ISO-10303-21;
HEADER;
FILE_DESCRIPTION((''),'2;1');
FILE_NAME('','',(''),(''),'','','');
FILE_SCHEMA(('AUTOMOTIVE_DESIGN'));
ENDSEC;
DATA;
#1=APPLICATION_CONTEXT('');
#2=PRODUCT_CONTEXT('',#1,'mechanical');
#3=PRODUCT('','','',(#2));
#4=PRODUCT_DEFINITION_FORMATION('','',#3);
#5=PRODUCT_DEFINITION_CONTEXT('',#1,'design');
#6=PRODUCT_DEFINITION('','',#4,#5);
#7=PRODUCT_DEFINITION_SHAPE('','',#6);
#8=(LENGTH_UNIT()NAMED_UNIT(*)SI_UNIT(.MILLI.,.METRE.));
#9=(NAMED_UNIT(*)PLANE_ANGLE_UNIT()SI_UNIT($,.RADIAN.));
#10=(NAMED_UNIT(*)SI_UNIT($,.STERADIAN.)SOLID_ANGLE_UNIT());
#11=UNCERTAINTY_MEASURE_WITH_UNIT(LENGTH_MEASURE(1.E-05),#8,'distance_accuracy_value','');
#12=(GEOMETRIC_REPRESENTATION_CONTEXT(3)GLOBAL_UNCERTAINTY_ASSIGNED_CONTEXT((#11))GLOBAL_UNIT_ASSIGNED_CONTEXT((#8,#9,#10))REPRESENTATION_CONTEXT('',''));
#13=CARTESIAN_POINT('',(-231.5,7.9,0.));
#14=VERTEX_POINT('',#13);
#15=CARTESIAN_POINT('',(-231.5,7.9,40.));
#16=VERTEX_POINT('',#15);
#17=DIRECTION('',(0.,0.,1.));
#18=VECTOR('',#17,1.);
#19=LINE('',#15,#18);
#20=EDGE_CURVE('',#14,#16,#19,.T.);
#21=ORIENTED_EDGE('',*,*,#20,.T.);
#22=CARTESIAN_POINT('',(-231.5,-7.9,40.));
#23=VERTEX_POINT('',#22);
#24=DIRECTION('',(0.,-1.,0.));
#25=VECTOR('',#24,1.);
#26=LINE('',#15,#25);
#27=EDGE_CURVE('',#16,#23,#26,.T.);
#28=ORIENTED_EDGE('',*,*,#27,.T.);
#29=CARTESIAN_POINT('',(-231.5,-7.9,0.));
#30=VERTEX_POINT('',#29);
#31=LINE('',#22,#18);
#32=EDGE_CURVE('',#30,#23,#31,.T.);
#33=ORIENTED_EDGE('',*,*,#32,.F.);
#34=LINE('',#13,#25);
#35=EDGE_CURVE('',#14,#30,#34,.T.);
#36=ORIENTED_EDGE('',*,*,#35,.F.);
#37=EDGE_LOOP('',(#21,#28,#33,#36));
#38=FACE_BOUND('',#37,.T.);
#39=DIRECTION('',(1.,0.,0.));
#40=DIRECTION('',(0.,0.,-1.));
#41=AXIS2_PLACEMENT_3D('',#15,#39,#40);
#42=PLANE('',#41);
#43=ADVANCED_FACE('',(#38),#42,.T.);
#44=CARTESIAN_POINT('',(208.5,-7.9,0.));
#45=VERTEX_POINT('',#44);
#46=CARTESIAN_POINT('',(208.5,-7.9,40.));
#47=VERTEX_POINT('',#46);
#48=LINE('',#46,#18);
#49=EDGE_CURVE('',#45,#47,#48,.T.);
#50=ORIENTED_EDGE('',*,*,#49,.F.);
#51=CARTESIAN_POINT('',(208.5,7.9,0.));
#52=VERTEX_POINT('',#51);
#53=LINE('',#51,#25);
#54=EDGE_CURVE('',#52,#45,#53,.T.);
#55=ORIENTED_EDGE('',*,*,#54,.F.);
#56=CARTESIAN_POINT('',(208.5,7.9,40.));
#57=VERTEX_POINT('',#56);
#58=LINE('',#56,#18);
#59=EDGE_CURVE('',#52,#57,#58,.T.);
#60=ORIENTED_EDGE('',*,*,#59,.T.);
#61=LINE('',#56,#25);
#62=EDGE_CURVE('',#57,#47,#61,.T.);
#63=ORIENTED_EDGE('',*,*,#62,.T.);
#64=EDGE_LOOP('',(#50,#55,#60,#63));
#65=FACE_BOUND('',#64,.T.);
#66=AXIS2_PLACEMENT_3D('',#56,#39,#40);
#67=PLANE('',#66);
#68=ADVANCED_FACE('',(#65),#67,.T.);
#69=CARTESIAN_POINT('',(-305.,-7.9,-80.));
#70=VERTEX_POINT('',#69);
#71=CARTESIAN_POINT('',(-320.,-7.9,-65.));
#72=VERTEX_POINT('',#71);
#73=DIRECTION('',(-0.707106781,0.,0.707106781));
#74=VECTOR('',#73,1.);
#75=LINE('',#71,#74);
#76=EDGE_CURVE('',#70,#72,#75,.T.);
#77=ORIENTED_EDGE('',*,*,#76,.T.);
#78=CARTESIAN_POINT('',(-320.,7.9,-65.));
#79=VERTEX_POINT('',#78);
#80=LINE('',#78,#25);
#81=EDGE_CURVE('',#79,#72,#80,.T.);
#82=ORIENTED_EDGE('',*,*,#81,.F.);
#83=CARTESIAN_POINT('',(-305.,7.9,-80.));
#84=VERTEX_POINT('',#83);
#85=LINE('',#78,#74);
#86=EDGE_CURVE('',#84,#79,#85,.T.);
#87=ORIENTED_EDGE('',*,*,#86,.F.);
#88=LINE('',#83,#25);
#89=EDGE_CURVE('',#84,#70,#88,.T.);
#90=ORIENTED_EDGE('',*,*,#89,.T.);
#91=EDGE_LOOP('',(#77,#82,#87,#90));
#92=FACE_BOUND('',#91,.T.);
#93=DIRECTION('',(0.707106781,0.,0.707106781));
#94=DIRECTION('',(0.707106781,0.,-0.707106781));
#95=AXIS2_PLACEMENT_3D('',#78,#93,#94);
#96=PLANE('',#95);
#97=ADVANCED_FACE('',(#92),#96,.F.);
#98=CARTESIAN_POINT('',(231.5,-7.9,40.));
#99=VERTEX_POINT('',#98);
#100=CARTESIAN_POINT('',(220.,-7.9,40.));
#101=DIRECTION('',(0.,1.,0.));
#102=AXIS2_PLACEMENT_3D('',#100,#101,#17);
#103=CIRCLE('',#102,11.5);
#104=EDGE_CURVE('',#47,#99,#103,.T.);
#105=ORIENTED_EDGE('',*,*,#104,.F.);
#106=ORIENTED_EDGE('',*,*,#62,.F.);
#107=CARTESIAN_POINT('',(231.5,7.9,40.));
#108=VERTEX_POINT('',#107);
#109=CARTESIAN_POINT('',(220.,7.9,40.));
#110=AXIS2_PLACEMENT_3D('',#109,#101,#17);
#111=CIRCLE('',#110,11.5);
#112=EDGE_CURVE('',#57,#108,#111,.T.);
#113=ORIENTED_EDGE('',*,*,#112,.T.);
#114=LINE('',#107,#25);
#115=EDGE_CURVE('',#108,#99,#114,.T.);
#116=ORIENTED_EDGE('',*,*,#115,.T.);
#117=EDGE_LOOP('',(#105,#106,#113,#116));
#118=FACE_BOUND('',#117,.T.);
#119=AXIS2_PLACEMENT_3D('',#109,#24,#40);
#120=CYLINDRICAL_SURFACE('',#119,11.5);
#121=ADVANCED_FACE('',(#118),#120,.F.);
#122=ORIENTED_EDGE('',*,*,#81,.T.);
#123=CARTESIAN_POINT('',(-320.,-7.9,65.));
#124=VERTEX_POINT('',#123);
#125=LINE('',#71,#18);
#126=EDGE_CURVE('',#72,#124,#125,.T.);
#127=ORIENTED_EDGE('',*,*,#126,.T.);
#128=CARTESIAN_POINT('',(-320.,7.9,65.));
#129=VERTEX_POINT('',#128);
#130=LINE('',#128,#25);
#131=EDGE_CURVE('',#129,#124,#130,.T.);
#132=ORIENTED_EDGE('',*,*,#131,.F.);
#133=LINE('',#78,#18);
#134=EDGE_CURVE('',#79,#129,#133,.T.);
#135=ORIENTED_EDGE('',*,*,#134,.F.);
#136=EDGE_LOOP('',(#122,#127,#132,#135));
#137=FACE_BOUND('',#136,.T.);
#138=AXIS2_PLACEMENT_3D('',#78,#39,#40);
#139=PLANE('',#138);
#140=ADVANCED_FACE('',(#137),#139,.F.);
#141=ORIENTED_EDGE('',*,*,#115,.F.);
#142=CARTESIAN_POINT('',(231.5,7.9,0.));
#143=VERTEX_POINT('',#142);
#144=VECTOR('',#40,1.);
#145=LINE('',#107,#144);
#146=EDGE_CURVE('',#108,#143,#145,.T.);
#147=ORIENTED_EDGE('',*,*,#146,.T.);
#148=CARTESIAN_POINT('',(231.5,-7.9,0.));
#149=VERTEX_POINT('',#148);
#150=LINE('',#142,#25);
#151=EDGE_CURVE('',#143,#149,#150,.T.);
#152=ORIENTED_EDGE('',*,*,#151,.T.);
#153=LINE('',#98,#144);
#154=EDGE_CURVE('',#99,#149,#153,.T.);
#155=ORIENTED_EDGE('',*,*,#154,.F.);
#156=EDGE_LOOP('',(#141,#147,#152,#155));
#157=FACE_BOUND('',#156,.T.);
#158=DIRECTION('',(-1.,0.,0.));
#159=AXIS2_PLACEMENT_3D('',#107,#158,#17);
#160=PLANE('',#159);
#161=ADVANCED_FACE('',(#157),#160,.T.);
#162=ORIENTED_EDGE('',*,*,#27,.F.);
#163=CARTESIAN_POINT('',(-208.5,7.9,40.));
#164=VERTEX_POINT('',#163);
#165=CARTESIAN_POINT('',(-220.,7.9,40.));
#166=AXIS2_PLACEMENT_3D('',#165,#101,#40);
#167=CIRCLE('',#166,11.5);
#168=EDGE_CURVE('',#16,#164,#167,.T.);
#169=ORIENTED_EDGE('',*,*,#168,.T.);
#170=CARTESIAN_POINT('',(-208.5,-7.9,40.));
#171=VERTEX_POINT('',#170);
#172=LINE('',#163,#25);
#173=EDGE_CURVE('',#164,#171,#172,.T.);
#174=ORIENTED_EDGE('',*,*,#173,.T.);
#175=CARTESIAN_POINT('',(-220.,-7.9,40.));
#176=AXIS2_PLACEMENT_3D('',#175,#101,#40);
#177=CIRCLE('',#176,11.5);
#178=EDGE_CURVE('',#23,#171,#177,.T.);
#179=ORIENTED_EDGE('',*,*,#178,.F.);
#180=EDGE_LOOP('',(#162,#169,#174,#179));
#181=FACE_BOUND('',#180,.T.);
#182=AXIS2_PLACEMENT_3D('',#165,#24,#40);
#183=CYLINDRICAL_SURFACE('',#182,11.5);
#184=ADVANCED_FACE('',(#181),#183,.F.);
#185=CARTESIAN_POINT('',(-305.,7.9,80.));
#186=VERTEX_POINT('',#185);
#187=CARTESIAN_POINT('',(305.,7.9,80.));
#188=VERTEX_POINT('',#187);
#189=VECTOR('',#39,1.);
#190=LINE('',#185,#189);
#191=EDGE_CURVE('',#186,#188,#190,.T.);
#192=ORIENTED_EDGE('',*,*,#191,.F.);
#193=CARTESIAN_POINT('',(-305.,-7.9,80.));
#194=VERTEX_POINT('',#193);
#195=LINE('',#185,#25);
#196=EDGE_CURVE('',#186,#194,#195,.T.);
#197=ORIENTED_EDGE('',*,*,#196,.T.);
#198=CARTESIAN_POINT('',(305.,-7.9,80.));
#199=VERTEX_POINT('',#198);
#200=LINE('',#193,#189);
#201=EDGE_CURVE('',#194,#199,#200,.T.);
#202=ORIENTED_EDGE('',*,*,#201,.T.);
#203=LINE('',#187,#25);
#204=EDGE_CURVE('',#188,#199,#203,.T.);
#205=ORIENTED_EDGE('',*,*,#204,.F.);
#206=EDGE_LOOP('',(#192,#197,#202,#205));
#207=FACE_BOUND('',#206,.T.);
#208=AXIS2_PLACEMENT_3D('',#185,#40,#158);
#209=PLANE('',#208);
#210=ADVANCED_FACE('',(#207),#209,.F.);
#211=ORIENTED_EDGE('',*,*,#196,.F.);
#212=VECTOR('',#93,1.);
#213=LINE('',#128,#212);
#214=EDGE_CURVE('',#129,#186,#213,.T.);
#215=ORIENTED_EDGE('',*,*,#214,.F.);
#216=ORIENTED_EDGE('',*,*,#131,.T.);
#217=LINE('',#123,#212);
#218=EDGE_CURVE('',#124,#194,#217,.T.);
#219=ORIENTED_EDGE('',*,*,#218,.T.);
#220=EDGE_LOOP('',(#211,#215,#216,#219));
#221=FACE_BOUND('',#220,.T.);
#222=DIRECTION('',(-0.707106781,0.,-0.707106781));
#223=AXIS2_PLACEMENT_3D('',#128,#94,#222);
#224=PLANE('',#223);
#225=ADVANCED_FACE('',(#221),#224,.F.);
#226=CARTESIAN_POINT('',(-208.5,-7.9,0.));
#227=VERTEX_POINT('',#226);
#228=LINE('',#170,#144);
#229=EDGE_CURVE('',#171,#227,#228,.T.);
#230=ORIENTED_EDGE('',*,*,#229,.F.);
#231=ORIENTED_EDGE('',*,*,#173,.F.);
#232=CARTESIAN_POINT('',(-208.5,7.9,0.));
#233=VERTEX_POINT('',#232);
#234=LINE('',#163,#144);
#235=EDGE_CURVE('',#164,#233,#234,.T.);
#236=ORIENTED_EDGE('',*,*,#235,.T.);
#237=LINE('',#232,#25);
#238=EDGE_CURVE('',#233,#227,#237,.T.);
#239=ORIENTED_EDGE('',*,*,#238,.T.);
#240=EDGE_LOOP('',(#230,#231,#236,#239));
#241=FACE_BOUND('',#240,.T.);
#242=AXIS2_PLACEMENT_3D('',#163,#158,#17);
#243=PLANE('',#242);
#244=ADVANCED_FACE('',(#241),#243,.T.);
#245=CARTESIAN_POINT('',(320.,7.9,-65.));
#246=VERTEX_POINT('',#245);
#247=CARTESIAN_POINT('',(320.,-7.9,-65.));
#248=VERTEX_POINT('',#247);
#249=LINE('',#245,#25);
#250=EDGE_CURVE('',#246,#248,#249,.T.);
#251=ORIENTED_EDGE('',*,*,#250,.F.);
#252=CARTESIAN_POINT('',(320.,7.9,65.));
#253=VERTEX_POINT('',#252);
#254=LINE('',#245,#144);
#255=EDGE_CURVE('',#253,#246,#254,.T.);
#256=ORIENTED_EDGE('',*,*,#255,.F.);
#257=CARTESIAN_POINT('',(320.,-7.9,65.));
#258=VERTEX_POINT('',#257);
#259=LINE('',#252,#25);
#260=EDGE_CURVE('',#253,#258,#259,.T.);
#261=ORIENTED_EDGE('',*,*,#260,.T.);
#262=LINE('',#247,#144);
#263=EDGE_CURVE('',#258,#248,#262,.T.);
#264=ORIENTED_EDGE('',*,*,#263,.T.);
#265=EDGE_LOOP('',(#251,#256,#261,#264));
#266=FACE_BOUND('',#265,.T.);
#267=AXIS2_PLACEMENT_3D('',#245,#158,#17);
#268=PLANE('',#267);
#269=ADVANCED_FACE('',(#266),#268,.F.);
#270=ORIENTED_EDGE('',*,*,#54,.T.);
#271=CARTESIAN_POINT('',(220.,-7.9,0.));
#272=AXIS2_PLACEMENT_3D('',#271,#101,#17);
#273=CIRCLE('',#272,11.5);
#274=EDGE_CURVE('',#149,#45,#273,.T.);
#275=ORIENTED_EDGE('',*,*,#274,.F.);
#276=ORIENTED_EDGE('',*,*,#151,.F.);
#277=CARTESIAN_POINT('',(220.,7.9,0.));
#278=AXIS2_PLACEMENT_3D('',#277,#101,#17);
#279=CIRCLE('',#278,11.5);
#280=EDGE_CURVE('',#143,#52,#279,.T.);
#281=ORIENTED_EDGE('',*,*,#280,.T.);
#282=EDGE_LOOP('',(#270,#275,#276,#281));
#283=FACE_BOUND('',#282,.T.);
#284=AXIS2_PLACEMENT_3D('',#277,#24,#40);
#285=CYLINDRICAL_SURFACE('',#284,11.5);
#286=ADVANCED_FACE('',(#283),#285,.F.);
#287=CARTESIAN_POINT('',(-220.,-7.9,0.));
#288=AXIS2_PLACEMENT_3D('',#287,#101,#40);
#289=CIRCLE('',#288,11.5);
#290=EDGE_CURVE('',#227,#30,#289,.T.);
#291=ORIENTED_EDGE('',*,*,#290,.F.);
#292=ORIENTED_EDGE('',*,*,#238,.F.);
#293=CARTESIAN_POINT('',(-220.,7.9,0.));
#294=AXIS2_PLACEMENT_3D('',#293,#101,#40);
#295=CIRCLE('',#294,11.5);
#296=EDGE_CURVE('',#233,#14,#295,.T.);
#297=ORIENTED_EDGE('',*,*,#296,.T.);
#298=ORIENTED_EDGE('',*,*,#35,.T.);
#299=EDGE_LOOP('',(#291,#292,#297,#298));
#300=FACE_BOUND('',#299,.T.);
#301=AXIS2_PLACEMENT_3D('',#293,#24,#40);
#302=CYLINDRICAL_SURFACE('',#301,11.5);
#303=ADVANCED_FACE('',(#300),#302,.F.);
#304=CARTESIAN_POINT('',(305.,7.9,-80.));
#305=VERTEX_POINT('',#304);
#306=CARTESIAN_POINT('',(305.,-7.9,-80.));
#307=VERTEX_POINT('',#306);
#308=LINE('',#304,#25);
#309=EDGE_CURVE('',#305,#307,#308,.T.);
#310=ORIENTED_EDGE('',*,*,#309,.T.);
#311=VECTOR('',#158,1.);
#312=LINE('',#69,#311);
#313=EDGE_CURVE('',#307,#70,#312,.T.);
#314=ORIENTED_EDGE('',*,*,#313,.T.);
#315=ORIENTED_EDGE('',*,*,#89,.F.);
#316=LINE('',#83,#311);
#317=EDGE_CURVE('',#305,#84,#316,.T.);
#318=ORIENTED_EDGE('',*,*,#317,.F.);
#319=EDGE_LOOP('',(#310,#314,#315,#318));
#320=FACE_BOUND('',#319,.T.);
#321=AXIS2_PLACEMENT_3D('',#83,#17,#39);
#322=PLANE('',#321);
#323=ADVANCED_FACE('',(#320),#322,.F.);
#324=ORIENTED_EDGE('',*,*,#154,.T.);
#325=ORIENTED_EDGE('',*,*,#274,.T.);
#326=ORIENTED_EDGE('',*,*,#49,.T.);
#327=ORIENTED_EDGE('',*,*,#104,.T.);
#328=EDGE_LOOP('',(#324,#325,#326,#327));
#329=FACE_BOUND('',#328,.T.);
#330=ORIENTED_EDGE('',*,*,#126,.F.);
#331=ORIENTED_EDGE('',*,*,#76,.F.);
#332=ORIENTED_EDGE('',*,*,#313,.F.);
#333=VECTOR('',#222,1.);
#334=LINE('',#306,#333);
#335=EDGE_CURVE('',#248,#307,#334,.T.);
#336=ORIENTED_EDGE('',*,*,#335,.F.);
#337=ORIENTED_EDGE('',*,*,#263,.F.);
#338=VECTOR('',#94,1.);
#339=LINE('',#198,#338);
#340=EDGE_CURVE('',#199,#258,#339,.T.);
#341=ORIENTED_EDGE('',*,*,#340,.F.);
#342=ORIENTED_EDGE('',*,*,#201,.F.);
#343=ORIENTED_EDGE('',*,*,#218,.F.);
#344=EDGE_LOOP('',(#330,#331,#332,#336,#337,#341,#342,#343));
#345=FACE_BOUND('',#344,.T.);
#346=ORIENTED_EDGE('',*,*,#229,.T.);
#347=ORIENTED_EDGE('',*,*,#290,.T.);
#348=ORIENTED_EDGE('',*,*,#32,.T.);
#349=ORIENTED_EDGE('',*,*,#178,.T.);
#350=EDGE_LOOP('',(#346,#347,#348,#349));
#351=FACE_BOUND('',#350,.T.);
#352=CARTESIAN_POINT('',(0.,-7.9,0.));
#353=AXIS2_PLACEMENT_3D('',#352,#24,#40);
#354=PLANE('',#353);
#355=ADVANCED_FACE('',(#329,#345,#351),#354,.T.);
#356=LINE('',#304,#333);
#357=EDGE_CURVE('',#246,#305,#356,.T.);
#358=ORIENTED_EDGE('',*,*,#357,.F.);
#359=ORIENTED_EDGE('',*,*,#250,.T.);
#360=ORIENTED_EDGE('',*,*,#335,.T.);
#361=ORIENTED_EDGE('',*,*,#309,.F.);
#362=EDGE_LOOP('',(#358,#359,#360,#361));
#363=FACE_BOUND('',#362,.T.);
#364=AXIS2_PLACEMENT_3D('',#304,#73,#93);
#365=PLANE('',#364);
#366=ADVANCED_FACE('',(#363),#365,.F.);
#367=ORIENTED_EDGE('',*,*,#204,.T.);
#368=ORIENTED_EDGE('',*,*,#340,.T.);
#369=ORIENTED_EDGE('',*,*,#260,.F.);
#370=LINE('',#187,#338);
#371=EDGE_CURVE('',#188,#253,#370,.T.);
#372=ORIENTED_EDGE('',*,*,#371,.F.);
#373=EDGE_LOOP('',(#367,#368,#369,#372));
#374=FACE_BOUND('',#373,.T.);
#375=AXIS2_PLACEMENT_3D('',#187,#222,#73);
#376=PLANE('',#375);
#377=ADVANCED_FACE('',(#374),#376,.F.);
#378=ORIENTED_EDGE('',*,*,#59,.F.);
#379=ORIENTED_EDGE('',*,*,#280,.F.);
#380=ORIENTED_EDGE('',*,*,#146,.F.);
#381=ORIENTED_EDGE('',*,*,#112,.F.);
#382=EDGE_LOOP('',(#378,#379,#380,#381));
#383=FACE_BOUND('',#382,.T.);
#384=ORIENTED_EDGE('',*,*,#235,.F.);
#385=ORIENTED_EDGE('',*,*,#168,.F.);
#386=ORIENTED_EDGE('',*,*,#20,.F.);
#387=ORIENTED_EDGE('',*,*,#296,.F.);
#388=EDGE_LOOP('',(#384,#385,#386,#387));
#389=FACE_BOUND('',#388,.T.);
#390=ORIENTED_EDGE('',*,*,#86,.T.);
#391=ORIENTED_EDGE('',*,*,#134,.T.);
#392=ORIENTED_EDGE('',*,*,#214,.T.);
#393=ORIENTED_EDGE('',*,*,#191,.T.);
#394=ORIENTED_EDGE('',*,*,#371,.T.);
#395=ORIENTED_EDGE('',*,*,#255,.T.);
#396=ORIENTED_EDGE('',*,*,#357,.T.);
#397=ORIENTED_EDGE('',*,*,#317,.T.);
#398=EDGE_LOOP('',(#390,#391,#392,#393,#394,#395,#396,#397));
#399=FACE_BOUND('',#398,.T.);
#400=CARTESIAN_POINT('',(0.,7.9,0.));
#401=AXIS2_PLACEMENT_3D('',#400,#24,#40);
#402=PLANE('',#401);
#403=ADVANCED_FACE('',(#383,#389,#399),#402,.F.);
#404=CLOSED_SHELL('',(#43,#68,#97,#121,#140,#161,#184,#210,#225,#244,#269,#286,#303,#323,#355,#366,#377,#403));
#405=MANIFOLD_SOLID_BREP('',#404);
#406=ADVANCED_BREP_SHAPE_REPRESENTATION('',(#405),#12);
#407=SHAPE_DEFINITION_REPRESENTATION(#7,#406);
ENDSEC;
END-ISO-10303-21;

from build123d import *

# Parameters (mm, degrees)
BOSS_EXTRUDE1_DEPTH = 7.9


with BuildPart() as part:
    # Sketch1 → Boss-Extrude1 (new, symmetric)
    with BuildSketch(Plane(origin=(0, 0, 0), x_dir=(1, 0, 0), z_dir=(0, 1, 0))):
        Polygon((-320, 65), (-305, 80), (305, 80), (320, 65), (320, -65), (305, -80), (-305, -80), (-320, -65), align=None)
        with BuildLine():
            Line((208.5, -40), (208.5, 0))
            ThreePointArc((208.5, 0), (220, 11.5), (231.5, 0))
            Line((231.5, 0), (231.5, -40))
            ThreePointArc((231.5, -40), (220, -51.5), (208.5, -40))
        make_face(mode=Mode.SUBTRACT)
        with BuildLine():
            Line((-208.5, -40), (-208.5, 0))
            ThreePointArc((-208.5, 0), (-220, 11.5), (-231.5, 0))
            Line((-231.5, 0), (-231.5, -40))
            ThreePointArc((-231.5, -40), (-220, -51.5), (-208.5, -40))
        make_face(mode=Mode.SUBTRACT)
    extrude(amount=BOSS_EXTRUDE1_DEPTH, both=True)


solid = part.part
